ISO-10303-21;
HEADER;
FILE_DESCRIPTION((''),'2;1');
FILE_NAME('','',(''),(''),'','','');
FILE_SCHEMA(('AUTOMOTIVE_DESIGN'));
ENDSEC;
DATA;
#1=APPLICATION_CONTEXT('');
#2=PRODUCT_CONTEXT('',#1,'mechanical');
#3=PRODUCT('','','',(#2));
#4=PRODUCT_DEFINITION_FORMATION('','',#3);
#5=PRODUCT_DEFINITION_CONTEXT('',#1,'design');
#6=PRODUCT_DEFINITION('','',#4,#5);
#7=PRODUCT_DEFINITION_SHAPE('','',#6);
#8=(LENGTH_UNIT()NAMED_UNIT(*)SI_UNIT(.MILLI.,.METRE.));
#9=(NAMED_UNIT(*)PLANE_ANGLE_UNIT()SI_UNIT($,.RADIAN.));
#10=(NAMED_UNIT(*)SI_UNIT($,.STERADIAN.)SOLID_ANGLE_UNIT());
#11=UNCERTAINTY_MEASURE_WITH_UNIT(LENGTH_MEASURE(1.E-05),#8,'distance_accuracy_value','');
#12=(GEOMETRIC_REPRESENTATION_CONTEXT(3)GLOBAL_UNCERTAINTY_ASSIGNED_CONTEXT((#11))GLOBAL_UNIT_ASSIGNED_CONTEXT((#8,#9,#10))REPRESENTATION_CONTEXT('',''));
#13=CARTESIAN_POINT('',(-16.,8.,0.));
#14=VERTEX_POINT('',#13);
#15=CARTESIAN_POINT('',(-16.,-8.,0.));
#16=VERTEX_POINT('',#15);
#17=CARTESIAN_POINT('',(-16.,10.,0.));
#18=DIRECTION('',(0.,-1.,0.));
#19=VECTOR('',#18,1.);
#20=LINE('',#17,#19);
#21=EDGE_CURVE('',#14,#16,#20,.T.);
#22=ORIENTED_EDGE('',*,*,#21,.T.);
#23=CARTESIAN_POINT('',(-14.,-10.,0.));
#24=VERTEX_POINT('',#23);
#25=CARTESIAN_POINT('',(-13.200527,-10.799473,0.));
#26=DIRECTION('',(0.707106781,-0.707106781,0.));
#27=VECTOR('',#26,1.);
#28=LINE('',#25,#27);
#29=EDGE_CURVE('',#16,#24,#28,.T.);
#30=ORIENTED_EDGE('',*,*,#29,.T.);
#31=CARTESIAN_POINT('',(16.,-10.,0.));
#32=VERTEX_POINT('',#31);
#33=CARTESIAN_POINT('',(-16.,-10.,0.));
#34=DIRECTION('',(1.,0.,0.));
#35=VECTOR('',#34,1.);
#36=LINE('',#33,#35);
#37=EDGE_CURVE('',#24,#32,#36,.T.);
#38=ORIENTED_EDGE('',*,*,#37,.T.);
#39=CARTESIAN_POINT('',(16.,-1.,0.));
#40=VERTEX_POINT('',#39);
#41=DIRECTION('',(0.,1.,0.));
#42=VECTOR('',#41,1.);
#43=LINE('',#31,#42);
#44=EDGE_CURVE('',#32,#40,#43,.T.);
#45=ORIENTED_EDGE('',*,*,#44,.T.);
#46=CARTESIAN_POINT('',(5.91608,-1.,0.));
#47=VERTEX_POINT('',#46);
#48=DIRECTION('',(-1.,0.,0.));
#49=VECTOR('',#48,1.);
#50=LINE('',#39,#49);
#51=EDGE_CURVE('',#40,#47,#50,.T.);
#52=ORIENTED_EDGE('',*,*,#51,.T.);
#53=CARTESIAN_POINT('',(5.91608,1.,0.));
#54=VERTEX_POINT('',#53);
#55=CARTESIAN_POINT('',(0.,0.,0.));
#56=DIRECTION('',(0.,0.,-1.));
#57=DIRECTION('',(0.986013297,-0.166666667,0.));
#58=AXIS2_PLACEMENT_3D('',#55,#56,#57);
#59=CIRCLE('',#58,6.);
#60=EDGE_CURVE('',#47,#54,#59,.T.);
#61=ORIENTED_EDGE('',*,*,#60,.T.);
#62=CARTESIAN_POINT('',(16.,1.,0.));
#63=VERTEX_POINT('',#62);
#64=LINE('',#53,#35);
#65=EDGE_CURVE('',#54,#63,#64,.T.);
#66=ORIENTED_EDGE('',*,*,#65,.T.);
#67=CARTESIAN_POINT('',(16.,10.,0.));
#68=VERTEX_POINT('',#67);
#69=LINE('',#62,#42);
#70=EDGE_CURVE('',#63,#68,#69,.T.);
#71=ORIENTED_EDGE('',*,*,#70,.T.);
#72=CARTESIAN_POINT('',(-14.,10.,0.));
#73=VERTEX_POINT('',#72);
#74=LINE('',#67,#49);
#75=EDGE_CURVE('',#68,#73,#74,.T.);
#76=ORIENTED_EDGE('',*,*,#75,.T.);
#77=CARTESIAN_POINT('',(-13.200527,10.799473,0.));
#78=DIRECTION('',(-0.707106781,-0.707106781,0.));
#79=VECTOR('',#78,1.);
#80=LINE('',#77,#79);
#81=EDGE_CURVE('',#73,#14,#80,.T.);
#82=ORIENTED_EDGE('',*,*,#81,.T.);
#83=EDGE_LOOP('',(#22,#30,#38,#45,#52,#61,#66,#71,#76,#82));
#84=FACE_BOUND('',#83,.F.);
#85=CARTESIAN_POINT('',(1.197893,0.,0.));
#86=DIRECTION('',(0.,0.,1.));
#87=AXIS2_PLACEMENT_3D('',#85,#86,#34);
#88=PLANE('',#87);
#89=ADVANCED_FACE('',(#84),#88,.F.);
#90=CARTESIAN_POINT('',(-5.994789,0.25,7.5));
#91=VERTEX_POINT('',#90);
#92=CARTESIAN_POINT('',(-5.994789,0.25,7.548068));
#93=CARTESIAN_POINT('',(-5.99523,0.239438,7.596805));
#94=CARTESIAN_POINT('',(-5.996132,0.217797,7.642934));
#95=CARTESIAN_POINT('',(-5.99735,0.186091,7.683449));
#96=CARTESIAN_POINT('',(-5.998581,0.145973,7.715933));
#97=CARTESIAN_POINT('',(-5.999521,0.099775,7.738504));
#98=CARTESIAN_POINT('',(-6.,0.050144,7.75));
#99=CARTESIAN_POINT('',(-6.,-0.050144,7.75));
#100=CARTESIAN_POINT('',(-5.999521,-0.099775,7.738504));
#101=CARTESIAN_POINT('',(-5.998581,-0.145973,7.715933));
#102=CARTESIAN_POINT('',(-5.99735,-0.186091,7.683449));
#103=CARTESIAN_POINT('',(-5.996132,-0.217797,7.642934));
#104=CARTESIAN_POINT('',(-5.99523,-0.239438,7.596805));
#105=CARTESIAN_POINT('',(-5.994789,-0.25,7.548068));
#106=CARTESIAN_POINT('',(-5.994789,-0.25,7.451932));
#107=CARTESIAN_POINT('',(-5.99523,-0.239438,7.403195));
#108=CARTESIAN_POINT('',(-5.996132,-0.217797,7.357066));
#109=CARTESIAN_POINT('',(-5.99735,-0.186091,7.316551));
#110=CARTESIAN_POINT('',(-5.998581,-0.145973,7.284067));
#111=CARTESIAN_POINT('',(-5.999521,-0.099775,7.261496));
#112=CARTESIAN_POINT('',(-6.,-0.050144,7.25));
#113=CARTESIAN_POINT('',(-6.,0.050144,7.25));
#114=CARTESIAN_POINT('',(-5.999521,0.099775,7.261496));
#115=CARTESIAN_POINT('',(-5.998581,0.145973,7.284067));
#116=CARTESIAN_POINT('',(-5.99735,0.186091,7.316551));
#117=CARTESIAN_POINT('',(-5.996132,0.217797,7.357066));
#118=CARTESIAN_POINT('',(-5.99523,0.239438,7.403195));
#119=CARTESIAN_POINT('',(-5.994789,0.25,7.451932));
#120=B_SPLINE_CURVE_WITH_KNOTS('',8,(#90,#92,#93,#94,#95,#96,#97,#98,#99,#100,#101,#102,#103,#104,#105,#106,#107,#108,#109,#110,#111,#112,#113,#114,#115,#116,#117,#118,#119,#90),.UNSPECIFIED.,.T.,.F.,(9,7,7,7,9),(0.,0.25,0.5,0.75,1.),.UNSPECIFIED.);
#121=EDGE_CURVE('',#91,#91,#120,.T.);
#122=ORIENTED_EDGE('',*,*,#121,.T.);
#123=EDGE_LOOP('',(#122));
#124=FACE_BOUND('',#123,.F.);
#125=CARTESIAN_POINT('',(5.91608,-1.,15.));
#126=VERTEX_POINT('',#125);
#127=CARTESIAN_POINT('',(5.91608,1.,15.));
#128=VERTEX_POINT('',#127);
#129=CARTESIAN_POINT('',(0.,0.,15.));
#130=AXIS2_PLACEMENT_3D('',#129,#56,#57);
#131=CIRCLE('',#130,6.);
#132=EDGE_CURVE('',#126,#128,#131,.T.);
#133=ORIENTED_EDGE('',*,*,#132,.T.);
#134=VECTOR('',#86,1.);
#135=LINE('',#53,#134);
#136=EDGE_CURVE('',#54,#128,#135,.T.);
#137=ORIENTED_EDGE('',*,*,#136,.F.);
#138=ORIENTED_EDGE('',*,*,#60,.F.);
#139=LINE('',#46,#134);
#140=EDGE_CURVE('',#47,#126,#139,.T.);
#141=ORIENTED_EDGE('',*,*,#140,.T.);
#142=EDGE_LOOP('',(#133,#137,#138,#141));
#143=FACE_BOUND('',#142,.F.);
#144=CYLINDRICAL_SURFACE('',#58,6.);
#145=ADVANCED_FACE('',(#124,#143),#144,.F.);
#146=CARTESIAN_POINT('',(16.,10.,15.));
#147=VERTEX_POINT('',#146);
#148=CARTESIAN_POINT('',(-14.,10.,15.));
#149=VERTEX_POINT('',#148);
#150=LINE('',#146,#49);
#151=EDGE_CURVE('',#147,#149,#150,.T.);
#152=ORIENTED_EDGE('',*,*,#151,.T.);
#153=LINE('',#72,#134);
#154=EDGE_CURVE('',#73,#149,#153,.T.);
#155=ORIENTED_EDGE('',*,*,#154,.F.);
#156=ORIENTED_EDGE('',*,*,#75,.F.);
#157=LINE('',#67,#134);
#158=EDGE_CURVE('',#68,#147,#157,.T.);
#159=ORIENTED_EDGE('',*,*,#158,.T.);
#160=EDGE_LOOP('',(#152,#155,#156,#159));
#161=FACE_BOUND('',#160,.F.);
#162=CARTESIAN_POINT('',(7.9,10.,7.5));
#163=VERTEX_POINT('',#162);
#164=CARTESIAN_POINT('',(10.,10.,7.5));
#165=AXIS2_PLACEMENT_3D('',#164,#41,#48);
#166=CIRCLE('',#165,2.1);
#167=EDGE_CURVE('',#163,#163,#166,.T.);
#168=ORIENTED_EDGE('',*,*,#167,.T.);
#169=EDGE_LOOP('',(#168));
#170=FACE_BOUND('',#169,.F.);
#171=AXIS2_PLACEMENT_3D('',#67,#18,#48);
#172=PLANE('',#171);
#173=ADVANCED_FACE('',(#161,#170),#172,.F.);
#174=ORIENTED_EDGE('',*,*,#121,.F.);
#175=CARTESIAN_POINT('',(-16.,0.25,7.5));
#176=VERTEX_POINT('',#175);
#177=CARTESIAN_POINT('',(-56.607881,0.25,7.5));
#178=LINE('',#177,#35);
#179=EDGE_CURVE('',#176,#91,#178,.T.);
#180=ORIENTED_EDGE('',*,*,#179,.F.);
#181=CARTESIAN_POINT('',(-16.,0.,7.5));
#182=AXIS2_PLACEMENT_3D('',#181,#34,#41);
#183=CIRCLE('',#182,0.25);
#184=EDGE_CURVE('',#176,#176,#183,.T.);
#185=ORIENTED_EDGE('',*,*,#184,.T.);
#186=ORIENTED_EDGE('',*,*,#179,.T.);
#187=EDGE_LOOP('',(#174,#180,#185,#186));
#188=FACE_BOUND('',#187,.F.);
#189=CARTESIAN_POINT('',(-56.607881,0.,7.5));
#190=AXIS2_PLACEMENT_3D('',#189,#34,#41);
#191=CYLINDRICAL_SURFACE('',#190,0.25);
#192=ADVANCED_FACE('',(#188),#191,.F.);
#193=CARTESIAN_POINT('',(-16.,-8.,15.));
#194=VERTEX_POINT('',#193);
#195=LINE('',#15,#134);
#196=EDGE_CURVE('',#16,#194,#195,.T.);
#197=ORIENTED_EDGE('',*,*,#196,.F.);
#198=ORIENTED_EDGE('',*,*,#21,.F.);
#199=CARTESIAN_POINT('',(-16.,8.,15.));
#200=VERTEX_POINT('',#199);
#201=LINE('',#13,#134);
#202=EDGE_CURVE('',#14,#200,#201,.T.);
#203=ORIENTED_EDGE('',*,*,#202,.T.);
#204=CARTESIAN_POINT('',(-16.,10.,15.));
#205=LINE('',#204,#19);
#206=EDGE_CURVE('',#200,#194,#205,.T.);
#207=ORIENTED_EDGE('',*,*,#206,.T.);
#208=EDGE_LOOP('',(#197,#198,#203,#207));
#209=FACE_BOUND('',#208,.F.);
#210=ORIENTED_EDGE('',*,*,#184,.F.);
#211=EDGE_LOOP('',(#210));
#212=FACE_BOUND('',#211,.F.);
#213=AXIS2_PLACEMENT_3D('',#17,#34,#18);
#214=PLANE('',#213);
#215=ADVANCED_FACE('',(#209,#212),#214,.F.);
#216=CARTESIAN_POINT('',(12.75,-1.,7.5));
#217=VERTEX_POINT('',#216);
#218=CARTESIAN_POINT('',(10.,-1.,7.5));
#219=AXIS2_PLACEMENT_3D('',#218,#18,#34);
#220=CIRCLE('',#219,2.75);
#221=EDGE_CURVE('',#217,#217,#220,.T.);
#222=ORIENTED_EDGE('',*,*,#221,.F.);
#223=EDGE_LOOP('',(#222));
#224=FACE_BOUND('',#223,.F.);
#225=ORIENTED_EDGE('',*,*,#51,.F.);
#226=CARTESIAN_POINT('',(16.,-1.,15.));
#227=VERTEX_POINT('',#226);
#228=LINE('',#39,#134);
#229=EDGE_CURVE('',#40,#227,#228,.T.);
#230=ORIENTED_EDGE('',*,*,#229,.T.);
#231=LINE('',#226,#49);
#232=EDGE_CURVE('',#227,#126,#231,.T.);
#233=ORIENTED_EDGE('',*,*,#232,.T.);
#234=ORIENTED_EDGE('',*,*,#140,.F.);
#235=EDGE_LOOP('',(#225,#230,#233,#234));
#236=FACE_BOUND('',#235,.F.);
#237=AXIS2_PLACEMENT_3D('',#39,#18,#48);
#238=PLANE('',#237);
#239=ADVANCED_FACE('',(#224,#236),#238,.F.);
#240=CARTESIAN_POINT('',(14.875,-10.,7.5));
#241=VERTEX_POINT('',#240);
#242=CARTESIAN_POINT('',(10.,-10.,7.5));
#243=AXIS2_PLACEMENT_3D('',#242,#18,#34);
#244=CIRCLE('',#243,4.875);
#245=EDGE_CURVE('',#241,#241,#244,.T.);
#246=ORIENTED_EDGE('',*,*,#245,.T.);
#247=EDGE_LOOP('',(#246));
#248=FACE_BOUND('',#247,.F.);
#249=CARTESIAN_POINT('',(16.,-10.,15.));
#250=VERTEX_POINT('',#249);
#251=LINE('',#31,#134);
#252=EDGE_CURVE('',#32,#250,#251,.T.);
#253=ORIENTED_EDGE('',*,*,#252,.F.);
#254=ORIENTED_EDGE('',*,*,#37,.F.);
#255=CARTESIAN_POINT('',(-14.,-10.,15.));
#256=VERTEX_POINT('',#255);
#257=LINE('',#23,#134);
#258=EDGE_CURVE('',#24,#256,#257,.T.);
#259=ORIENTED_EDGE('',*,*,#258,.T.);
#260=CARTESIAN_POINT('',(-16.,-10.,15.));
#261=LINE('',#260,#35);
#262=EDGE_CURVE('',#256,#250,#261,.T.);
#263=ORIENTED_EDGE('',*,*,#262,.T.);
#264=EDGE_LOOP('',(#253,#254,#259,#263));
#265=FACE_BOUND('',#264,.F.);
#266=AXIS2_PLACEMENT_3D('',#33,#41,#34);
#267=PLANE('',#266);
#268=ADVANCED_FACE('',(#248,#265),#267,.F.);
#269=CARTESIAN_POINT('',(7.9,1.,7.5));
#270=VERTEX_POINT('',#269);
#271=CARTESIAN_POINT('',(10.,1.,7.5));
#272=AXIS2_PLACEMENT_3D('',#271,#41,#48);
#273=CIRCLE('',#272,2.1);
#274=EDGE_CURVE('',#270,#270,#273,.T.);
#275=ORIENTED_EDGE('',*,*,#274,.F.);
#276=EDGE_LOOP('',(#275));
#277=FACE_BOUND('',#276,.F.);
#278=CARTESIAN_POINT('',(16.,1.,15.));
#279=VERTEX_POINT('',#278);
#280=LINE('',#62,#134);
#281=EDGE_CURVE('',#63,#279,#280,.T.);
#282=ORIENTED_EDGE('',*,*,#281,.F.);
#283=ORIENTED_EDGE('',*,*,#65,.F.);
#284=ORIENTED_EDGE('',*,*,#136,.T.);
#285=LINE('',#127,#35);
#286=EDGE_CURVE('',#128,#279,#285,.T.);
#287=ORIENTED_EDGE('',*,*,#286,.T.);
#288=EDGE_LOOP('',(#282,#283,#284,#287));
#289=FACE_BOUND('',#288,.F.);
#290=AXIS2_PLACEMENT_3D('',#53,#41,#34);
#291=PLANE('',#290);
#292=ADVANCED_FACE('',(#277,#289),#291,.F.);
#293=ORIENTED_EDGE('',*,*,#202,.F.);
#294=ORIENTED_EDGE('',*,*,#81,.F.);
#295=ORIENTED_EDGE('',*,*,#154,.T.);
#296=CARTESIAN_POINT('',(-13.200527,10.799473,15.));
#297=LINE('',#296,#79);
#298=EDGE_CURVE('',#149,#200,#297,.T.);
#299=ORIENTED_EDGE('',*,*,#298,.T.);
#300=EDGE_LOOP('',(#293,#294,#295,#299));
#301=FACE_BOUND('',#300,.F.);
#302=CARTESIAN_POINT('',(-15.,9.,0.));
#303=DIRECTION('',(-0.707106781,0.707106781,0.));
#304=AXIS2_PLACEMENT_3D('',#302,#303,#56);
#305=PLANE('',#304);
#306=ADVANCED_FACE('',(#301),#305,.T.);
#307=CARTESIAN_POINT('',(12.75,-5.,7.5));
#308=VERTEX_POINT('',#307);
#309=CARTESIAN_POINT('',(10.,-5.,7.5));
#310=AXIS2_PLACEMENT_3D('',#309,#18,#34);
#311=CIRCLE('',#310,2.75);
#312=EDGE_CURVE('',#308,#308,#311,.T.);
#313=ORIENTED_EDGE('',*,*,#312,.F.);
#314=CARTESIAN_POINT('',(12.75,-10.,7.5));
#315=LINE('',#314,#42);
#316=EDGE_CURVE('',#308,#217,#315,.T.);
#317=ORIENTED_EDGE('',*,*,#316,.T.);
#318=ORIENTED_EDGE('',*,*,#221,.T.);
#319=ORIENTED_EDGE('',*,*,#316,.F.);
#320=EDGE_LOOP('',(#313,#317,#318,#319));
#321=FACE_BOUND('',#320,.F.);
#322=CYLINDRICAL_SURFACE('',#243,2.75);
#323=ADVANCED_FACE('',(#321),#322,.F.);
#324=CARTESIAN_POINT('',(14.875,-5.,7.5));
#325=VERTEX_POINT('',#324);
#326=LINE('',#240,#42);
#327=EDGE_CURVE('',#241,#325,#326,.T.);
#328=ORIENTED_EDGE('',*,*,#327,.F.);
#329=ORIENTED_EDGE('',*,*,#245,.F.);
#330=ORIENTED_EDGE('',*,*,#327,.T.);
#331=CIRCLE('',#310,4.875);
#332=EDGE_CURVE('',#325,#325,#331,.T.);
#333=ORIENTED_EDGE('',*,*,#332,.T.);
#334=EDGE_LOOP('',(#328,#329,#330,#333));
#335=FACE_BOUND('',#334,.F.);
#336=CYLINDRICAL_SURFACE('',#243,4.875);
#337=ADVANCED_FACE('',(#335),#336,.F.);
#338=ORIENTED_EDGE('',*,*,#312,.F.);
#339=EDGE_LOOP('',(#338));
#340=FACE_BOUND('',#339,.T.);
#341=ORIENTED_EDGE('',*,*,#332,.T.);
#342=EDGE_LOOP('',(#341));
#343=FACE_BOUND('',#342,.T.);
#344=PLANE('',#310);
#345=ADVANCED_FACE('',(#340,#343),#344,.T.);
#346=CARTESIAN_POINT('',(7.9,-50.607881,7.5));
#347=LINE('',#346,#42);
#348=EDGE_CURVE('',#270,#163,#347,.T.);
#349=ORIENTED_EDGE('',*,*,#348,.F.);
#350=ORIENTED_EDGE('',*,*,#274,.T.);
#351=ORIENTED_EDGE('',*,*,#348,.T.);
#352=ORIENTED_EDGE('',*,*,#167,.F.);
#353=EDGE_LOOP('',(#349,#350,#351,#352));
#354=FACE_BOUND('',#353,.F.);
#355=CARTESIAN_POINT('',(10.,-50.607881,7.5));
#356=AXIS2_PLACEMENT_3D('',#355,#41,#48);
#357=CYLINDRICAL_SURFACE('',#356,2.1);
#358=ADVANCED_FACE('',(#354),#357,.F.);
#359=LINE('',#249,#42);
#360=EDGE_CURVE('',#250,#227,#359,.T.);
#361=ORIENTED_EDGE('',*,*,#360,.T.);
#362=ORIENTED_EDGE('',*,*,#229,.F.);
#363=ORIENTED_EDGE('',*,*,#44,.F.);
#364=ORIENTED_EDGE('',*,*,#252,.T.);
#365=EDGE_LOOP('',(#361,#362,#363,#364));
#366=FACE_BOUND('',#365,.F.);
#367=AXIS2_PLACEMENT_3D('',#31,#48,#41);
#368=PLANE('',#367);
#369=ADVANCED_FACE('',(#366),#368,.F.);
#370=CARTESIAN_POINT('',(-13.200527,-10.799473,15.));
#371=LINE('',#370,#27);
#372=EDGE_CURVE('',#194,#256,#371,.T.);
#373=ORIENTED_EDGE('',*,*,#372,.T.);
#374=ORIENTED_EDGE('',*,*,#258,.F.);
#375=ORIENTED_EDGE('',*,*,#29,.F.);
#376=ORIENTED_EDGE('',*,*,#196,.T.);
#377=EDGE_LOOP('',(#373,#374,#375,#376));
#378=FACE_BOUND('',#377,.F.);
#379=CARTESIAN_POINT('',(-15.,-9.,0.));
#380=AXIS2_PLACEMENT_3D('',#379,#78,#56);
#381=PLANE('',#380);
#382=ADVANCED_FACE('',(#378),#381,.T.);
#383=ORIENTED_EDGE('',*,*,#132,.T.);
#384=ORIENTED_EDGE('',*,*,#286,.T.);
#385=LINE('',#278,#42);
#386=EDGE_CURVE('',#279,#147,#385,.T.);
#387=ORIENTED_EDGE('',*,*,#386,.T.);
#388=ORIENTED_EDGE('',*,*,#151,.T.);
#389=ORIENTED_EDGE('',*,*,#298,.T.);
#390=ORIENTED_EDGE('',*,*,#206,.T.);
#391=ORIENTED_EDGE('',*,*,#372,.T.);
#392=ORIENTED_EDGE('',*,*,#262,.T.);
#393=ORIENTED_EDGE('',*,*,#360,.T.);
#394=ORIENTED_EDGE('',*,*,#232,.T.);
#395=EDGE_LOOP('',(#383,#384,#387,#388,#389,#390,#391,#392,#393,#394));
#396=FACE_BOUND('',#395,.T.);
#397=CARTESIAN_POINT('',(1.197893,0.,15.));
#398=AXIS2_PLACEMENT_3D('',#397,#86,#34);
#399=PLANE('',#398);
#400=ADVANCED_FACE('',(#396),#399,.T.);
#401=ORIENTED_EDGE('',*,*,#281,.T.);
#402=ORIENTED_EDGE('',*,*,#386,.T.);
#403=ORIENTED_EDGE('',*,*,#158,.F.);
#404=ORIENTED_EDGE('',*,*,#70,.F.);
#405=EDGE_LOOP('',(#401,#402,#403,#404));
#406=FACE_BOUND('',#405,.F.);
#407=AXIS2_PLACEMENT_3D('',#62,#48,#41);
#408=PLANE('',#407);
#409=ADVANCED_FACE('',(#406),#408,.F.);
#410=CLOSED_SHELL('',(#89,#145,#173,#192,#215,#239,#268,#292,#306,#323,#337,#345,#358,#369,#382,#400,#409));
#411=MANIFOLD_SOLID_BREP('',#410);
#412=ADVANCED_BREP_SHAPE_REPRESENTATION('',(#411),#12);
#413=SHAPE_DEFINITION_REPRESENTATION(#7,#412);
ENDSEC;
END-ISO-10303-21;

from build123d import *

# Parameters (mm, degrees)
F1_DEPTH = 15
F2_SIZE2 = 2
F2_SIZE  = 2
F3_R     = 2.75
F4_DEPTH = 10
F6_D     = 4.2
F5_R     = 4.875
F5_R_2   = 2.75
F7_DEPTH = 5
F9_D     = 0.5


with BuildPart() as f1:
    # F0 (on Top) → F1 (new body)
    with BuildSketch(Plane.XY):
        with BuildLine():
            ThreePointArc((5.9160797831, -1), (-6, 0), (5.9160797831, 1))
            Line((5.9160797831, 1), (16, 1))
            Line((16, 1), (16, 10))
            Line((16, 10), (-16, 10))
            Line((-16, 10), (-16, -10))
            Line((-16, -10), (16, -10))
            Line((16, -10), (16, -1))
            Line((16, -1), (5.9160797831, -1))
        make_face()
    extrude(amount=F1_DEPTH)

    # F2
    f2_edges = [f1.edges().sort_by_distance(p)[0] for p in [
        (-16, 10, 7.5),
        (-16, -10, 7.5),
    ]]
    chamfer(f2_edges, length=F2_SIZE, length2=F2_SIZE2)

    # F3 (on face) → F4 (cut)
    with BuildSketch(Plane.XZ.offset(10)):
        with Locations((10, 7.5)):
            Circle(F3_R)
    extrude(amount=-F4_DEPTH, mode=Mode.SUBTRACT)

    # F6 (through all)
    with Locations(Plane.XZ.offset(10)):
        with Locations((10, 7.5)):
            Hole(F6_D / 2)

    # F5 (on face) → F7 (cut)
    with BuildSketch(Plane.XZ.offset(10)):
        with Locations((10, 7.5)):
            Circle(F5_R)
        with Locations((10, 7.5)):
            Circle(F5_R_2, mode=Mode.SUBTRACT)
    extrude(amount=-F7_DEPTH, mode=Mode.SUBTRACT)

    # F9 (through all)
    with Locations(Plane(origin=(-16, 0, 0), x_dir=(0, -1, 0), z_dir=(-1, 0, 0))):
        with Locations((0, 7.5)):
            Hole(F9_D / 2)


solid = f1.part
